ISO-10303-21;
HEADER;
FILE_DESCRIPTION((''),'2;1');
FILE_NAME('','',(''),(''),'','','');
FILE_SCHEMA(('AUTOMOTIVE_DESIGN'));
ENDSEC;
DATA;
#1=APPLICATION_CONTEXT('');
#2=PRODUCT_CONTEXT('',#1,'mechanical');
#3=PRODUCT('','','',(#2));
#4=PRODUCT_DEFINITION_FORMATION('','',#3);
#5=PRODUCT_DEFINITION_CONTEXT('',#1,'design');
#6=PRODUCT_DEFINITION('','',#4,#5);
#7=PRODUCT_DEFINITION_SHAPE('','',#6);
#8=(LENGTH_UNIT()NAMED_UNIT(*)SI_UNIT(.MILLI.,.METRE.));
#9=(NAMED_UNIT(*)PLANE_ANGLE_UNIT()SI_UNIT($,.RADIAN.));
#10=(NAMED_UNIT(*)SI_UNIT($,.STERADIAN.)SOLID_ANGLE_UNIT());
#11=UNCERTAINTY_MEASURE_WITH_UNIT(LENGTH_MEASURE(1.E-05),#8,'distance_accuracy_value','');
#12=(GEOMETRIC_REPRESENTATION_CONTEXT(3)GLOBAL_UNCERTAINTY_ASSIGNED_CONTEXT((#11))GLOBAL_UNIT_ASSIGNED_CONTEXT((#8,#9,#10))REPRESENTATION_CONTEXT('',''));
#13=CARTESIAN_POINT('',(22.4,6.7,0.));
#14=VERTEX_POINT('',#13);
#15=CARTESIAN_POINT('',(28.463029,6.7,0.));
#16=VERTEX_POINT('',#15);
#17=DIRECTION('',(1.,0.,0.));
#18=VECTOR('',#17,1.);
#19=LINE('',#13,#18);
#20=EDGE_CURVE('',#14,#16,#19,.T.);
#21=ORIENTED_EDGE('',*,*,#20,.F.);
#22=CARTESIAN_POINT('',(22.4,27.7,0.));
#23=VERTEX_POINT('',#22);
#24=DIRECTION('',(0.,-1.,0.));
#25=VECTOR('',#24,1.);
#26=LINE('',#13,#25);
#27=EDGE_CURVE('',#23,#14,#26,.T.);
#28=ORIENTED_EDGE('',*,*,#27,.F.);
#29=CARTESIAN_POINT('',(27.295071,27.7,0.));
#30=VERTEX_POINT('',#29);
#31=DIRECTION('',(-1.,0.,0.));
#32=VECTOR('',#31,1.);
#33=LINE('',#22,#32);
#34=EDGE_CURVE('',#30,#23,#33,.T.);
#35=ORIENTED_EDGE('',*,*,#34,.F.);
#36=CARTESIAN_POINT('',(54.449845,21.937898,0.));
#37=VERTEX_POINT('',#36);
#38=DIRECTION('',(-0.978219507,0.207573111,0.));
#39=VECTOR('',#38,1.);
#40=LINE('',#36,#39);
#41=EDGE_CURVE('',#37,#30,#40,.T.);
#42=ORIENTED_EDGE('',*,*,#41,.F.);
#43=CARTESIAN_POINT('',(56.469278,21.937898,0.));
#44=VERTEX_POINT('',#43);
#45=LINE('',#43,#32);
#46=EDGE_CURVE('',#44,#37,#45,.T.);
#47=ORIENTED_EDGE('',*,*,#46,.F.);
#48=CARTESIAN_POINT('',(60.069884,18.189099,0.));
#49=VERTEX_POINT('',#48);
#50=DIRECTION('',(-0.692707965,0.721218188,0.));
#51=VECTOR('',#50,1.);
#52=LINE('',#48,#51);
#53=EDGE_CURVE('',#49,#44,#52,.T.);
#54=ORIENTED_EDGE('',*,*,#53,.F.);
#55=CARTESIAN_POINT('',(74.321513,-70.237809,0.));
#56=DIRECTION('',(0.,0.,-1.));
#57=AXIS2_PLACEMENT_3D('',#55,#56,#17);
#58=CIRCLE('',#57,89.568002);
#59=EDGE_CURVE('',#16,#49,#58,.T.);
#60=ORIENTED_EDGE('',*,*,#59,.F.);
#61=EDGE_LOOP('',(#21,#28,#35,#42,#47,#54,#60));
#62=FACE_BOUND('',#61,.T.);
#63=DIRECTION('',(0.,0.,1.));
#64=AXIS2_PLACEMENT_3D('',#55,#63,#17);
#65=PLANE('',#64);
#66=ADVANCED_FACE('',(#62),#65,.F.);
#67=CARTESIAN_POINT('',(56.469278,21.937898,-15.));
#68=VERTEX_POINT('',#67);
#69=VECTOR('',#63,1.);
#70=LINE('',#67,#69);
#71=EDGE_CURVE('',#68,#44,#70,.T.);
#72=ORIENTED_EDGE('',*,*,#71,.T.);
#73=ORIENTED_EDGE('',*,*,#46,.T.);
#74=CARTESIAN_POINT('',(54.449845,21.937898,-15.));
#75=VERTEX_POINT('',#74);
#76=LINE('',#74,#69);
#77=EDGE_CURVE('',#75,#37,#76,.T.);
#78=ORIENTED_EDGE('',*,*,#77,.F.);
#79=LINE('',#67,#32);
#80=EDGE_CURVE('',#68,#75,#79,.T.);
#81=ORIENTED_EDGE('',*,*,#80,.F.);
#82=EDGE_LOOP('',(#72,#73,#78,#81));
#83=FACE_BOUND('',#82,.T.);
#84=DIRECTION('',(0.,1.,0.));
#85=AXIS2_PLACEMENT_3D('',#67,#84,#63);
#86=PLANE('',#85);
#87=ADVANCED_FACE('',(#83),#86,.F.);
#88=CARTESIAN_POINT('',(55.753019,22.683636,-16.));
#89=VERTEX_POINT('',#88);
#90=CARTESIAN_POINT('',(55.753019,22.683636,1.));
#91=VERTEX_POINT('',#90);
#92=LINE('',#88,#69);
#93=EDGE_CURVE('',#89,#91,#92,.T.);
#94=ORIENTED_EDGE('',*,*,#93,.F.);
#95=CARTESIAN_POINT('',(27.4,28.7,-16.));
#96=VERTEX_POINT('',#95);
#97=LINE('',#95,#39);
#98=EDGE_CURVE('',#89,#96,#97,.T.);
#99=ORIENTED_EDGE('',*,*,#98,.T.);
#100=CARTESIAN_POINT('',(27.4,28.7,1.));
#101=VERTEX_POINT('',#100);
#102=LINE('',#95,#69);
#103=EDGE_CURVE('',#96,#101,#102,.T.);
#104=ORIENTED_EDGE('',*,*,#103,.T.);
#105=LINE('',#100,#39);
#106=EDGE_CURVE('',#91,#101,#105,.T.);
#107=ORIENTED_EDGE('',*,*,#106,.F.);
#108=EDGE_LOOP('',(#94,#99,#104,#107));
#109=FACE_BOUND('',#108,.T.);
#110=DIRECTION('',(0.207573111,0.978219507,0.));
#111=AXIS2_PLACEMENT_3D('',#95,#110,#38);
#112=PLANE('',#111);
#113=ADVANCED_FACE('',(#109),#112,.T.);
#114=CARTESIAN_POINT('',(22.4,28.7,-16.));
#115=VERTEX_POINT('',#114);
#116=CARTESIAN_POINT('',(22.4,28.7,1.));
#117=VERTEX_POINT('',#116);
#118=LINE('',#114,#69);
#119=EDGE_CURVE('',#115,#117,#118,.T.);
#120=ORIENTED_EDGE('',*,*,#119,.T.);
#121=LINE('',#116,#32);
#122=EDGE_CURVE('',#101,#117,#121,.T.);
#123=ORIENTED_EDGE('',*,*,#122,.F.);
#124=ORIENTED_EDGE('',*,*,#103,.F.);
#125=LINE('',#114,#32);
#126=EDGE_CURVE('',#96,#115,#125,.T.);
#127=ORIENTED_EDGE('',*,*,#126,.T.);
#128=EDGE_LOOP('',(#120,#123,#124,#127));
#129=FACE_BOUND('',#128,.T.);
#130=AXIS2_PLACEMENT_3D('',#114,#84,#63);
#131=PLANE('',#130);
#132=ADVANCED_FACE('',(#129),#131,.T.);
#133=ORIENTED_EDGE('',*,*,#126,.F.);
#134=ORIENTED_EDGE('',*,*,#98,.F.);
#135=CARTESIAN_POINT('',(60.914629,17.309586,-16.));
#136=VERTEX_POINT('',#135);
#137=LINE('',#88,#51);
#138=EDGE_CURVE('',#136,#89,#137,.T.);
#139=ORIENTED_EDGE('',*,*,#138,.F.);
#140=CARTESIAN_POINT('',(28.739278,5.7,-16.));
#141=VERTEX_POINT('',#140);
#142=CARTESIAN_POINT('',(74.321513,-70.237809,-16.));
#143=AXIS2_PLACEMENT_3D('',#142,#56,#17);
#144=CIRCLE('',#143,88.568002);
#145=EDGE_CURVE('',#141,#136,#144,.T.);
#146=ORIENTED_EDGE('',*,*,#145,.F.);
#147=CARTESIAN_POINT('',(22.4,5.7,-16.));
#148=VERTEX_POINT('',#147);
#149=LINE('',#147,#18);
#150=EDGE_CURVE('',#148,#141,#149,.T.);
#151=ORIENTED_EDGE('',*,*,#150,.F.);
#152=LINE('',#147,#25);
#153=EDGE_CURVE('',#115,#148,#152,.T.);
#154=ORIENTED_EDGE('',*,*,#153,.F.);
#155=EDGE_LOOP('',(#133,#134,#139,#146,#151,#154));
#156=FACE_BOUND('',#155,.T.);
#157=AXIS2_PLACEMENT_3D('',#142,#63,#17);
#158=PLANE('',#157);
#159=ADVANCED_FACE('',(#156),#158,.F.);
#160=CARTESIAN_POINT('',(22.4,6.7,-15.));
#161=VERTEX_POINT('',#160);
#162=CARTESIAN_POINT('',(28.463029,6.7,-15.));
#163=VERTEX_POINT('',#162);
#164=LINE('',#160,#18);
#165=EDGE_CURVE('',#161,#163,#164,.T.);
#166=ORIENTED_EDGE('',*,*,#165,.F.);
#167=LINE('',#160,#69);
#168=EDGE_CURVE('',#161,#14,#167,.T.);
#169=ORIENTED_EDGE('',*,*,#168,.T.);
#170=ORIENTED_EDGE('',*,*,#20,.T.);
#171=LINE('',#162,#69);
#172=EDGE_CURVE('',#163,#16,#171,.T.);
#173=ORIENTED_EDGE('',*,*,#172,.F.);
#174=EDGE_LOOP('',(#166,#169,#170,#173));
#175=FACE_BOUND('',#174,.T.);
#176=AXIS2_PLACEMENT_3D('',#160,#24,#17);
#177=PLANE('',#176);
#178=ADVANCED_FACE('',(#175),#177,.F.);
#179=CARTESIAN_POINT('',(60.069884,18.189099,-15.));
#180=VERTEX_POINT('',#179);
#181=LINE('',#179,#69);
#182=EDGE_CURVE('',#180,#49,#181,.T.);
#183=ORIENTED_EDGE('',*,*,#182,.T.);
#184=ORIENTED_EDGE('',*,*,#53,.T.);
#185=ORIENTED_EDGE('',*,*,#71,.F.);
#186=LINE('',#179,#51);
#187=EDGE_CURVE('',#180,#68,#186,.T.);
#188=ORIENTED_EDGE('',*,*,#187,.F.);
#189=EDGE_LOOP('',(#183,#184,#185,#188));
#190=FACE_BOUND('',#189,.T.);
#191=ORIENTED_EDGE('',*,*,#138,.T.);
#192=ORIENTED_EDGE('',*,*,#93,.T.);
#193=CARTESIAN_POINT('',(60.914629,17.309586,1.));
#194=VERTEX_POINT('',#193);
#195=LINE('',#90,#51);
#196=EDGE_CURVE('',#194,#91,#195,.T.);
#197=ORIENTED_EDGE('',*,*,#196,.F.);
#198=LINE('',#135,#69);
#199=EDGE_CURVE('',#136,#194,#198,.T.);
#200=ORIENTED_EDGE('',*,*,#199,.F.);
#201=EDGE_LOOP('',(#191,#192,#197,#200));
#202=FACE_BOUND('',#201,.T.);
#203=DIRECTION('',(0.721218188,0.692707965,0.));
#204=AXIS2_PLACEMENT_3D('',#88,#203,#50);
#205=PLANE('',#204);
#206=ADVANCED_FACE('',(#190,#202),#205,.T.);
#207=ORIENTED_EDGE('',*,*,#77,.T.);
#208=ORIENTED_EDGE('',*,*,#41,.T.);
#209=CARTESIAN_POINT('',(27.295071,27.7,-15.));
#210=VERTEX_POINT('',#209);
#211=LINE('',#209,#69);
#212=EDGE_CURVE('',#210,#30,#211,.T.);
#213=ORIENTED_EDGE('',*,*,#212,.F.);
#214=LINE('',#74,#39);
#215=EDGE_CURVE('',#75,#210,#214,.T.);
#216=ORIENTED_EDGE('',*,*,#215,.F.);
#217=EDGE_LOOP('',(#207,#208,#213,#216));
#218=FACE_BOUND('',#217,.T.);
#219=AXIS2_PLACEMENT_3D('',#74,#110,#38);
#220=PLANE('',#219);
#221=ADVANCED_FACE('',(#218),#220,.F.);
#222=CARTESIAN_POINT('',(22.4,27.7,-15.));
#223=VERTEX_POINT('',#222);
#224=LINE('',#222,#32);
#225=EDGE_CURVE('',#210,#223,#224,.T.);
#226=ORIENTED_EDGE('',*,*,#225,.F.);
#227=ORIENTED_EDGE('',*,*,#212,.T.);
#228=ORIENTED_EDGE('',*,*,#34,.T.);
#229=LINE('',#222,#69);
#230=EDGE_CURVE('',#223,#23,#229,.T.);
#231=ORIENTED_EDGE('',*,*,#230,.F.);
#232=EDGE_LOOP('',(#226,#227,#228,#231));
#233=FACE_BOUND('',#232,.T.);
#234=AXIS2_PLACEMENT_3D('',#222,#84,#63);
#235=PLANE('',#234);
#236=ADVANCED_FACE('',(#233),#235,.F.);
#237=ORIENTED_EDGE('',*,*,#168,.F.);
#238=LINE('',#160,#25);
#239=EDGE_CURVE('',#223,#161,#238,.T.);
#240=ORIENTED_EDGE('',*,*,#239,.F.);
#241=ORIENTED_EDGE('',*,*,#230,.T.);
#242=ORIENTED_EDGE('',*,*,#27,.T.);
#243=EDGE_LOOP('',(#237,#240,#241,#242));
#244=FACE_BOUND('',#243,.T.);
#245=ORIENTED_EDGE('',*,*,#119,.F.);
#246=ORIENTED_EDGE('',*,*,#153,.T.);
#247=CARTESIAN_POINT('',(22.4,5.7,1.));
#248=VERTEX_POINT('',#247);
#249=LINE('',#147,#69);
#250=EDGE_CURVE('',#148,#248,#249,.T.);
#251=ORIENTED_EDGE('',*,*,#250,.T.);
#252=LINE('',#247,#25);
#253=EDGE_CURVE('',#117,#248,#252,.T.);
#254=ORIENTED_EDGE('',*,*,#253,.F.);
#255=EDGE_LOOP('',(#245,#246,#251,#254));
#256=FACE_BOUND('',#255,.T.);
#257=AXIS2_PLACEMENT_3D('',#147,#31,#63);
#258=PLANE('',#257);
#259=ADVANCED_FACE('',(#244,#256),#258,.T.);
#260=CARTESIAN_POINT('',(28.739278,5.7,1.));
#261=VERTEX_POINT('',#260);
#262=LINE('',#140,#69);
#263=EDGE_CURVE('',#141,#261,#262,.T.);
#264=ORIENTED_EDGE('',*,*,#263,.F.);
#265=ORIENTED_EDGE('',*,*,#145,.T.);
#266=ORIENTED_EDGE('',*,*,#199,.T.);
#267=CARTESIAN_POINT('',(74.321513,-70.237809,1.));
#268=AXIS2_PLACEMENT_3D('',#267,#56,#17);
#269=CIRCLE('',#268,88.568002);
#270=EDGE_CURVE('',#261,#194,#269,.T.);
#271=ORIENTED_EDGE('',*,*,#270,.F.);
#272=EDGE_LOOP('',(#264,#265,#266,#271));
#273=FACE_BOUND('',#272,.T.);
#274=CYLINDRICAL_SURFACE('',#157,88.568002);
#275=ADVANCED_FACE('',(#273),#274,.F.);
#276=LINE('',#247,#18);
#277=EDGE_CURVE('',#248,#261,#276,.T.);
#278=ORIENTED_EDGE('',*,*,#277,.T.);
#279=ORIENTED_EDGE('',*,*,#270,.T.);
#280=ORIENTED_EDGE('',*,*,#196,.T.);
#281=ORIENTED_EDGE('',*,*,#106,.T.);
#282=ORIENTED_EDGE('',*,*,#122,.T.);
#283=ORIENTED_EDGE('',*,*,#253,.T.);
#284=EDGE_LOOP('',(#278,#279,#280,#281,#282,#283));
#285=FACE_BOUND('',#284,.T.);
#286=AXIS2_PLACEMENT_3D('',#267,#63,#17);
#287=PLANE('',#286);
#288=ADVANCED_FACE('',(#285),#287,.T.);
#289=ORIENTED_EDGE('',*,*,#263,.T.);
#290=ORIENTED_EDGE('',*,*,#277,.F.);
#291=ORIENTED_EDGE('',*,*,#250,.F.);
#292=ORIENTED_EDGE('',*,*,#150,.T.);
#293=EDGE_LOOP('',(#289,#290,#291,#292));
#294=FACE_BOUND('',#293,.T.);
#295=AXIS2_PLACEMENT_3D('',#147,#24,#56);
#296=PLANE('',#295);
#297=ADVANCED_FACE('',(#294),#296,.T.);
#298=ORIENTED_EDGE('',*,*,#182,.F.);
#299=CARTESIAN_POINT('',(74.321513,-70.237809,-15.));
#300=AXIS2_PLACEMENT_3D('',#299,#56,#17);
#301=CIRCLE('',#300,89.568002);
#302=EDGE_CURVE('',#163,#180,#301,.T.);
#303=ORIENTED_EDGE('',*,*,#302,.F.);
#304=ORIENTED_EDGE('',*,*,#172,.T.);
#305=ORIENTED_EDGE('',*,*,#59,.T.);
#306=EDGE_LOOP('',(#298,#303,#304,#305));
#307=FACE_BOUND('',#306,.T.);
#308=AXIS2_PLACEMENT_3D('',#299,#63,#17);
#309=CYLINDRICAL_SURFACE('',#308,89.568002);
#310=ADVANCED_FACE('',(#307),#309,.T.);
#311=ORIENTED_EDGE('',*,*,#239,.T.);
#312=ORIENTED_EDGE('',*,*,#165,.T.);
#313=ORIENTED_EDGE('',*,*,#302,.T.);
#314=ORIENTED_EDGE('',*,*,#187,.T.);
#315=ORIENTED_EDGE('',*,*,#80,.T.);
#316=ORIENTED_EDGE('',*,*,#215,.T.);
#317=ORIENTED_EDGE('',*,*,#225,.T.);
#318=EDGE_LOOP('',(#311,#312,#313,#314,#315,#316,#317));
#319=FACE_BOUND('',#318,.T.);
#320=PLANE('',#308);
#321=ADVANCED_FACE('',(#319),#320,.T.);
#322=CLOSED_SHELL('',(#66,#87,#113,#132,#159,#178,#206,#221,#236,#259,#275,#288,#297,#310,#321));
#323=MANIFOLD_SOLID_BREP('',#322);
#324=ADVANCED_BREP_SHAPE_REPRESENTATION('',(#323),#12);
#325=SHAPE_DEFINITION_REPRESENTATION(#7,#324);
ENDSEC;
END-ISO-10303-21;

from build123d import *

# Parameters (mm, degrees)
BOSS_EXTRUDE3_START = 1
BOSS_EXTRUDE3_DEPTH = 17
CUT_EXTRUDE1_START  = -1
CUT_EXTRUDE1_DEPTH  = 15


with BuildPart() as part:
    # Sketch1 → Boss-Extrude3 (new body)
    with BuildSketch(Plane.XY.offset(BOSS_EXTRUDE3_START)):
        with BuildLine():
            Line((22.4, 5.7), (22.4, 28.7))
            Line((22.4, 28.7), (27.4, 28.7))
            Line((27.4, 28.7), (55.753018587, 22.683636365))
            Line((55.753018587, 22.683636365), (60.914628912, 17.309586353))
            ThreePointArc((60.914628912, 17.309586353), (44.261162639, 13.072852444), (28.739278089, 5.7))
            Line((28.739278089, 5.7), (22.4, 5.7))
        make_face()
    extrude(amount=-BOSS_EXTRUDE3_DEPTH)

    # Sketch2 → Cut-Extrude1 (cut)
    with BuildSketch(Plane.XY.offset(1).offset(CUT_EXTRUDE1_START)):
        with BuildLine():
            Line((22.4, 6.7), (28.46302932, 6.7))
            ThreePointArc((28.46302932, 6.7), (43.722391124, 13.941290059), (60.06988402, 18.189098949))
            Line((60.06988402, 18.189098949), (56.469277883, 21.937897528))
            Line((56.469277883, 21.937897528), (54.449845351, 21.937897528))
            Line((54.449845351, 21.937897528), (27.295070739, 27.7))
            Line((27.295070739, 27.7), (22.4, 27.7))
            Line((22.4, 27.7), (22.4, 6.7))
        make_face()
    extrude(amount=-CUT_EXTRUDE1_DEPTH, mode=Mode.SUBTRACT)


solid = part.part
